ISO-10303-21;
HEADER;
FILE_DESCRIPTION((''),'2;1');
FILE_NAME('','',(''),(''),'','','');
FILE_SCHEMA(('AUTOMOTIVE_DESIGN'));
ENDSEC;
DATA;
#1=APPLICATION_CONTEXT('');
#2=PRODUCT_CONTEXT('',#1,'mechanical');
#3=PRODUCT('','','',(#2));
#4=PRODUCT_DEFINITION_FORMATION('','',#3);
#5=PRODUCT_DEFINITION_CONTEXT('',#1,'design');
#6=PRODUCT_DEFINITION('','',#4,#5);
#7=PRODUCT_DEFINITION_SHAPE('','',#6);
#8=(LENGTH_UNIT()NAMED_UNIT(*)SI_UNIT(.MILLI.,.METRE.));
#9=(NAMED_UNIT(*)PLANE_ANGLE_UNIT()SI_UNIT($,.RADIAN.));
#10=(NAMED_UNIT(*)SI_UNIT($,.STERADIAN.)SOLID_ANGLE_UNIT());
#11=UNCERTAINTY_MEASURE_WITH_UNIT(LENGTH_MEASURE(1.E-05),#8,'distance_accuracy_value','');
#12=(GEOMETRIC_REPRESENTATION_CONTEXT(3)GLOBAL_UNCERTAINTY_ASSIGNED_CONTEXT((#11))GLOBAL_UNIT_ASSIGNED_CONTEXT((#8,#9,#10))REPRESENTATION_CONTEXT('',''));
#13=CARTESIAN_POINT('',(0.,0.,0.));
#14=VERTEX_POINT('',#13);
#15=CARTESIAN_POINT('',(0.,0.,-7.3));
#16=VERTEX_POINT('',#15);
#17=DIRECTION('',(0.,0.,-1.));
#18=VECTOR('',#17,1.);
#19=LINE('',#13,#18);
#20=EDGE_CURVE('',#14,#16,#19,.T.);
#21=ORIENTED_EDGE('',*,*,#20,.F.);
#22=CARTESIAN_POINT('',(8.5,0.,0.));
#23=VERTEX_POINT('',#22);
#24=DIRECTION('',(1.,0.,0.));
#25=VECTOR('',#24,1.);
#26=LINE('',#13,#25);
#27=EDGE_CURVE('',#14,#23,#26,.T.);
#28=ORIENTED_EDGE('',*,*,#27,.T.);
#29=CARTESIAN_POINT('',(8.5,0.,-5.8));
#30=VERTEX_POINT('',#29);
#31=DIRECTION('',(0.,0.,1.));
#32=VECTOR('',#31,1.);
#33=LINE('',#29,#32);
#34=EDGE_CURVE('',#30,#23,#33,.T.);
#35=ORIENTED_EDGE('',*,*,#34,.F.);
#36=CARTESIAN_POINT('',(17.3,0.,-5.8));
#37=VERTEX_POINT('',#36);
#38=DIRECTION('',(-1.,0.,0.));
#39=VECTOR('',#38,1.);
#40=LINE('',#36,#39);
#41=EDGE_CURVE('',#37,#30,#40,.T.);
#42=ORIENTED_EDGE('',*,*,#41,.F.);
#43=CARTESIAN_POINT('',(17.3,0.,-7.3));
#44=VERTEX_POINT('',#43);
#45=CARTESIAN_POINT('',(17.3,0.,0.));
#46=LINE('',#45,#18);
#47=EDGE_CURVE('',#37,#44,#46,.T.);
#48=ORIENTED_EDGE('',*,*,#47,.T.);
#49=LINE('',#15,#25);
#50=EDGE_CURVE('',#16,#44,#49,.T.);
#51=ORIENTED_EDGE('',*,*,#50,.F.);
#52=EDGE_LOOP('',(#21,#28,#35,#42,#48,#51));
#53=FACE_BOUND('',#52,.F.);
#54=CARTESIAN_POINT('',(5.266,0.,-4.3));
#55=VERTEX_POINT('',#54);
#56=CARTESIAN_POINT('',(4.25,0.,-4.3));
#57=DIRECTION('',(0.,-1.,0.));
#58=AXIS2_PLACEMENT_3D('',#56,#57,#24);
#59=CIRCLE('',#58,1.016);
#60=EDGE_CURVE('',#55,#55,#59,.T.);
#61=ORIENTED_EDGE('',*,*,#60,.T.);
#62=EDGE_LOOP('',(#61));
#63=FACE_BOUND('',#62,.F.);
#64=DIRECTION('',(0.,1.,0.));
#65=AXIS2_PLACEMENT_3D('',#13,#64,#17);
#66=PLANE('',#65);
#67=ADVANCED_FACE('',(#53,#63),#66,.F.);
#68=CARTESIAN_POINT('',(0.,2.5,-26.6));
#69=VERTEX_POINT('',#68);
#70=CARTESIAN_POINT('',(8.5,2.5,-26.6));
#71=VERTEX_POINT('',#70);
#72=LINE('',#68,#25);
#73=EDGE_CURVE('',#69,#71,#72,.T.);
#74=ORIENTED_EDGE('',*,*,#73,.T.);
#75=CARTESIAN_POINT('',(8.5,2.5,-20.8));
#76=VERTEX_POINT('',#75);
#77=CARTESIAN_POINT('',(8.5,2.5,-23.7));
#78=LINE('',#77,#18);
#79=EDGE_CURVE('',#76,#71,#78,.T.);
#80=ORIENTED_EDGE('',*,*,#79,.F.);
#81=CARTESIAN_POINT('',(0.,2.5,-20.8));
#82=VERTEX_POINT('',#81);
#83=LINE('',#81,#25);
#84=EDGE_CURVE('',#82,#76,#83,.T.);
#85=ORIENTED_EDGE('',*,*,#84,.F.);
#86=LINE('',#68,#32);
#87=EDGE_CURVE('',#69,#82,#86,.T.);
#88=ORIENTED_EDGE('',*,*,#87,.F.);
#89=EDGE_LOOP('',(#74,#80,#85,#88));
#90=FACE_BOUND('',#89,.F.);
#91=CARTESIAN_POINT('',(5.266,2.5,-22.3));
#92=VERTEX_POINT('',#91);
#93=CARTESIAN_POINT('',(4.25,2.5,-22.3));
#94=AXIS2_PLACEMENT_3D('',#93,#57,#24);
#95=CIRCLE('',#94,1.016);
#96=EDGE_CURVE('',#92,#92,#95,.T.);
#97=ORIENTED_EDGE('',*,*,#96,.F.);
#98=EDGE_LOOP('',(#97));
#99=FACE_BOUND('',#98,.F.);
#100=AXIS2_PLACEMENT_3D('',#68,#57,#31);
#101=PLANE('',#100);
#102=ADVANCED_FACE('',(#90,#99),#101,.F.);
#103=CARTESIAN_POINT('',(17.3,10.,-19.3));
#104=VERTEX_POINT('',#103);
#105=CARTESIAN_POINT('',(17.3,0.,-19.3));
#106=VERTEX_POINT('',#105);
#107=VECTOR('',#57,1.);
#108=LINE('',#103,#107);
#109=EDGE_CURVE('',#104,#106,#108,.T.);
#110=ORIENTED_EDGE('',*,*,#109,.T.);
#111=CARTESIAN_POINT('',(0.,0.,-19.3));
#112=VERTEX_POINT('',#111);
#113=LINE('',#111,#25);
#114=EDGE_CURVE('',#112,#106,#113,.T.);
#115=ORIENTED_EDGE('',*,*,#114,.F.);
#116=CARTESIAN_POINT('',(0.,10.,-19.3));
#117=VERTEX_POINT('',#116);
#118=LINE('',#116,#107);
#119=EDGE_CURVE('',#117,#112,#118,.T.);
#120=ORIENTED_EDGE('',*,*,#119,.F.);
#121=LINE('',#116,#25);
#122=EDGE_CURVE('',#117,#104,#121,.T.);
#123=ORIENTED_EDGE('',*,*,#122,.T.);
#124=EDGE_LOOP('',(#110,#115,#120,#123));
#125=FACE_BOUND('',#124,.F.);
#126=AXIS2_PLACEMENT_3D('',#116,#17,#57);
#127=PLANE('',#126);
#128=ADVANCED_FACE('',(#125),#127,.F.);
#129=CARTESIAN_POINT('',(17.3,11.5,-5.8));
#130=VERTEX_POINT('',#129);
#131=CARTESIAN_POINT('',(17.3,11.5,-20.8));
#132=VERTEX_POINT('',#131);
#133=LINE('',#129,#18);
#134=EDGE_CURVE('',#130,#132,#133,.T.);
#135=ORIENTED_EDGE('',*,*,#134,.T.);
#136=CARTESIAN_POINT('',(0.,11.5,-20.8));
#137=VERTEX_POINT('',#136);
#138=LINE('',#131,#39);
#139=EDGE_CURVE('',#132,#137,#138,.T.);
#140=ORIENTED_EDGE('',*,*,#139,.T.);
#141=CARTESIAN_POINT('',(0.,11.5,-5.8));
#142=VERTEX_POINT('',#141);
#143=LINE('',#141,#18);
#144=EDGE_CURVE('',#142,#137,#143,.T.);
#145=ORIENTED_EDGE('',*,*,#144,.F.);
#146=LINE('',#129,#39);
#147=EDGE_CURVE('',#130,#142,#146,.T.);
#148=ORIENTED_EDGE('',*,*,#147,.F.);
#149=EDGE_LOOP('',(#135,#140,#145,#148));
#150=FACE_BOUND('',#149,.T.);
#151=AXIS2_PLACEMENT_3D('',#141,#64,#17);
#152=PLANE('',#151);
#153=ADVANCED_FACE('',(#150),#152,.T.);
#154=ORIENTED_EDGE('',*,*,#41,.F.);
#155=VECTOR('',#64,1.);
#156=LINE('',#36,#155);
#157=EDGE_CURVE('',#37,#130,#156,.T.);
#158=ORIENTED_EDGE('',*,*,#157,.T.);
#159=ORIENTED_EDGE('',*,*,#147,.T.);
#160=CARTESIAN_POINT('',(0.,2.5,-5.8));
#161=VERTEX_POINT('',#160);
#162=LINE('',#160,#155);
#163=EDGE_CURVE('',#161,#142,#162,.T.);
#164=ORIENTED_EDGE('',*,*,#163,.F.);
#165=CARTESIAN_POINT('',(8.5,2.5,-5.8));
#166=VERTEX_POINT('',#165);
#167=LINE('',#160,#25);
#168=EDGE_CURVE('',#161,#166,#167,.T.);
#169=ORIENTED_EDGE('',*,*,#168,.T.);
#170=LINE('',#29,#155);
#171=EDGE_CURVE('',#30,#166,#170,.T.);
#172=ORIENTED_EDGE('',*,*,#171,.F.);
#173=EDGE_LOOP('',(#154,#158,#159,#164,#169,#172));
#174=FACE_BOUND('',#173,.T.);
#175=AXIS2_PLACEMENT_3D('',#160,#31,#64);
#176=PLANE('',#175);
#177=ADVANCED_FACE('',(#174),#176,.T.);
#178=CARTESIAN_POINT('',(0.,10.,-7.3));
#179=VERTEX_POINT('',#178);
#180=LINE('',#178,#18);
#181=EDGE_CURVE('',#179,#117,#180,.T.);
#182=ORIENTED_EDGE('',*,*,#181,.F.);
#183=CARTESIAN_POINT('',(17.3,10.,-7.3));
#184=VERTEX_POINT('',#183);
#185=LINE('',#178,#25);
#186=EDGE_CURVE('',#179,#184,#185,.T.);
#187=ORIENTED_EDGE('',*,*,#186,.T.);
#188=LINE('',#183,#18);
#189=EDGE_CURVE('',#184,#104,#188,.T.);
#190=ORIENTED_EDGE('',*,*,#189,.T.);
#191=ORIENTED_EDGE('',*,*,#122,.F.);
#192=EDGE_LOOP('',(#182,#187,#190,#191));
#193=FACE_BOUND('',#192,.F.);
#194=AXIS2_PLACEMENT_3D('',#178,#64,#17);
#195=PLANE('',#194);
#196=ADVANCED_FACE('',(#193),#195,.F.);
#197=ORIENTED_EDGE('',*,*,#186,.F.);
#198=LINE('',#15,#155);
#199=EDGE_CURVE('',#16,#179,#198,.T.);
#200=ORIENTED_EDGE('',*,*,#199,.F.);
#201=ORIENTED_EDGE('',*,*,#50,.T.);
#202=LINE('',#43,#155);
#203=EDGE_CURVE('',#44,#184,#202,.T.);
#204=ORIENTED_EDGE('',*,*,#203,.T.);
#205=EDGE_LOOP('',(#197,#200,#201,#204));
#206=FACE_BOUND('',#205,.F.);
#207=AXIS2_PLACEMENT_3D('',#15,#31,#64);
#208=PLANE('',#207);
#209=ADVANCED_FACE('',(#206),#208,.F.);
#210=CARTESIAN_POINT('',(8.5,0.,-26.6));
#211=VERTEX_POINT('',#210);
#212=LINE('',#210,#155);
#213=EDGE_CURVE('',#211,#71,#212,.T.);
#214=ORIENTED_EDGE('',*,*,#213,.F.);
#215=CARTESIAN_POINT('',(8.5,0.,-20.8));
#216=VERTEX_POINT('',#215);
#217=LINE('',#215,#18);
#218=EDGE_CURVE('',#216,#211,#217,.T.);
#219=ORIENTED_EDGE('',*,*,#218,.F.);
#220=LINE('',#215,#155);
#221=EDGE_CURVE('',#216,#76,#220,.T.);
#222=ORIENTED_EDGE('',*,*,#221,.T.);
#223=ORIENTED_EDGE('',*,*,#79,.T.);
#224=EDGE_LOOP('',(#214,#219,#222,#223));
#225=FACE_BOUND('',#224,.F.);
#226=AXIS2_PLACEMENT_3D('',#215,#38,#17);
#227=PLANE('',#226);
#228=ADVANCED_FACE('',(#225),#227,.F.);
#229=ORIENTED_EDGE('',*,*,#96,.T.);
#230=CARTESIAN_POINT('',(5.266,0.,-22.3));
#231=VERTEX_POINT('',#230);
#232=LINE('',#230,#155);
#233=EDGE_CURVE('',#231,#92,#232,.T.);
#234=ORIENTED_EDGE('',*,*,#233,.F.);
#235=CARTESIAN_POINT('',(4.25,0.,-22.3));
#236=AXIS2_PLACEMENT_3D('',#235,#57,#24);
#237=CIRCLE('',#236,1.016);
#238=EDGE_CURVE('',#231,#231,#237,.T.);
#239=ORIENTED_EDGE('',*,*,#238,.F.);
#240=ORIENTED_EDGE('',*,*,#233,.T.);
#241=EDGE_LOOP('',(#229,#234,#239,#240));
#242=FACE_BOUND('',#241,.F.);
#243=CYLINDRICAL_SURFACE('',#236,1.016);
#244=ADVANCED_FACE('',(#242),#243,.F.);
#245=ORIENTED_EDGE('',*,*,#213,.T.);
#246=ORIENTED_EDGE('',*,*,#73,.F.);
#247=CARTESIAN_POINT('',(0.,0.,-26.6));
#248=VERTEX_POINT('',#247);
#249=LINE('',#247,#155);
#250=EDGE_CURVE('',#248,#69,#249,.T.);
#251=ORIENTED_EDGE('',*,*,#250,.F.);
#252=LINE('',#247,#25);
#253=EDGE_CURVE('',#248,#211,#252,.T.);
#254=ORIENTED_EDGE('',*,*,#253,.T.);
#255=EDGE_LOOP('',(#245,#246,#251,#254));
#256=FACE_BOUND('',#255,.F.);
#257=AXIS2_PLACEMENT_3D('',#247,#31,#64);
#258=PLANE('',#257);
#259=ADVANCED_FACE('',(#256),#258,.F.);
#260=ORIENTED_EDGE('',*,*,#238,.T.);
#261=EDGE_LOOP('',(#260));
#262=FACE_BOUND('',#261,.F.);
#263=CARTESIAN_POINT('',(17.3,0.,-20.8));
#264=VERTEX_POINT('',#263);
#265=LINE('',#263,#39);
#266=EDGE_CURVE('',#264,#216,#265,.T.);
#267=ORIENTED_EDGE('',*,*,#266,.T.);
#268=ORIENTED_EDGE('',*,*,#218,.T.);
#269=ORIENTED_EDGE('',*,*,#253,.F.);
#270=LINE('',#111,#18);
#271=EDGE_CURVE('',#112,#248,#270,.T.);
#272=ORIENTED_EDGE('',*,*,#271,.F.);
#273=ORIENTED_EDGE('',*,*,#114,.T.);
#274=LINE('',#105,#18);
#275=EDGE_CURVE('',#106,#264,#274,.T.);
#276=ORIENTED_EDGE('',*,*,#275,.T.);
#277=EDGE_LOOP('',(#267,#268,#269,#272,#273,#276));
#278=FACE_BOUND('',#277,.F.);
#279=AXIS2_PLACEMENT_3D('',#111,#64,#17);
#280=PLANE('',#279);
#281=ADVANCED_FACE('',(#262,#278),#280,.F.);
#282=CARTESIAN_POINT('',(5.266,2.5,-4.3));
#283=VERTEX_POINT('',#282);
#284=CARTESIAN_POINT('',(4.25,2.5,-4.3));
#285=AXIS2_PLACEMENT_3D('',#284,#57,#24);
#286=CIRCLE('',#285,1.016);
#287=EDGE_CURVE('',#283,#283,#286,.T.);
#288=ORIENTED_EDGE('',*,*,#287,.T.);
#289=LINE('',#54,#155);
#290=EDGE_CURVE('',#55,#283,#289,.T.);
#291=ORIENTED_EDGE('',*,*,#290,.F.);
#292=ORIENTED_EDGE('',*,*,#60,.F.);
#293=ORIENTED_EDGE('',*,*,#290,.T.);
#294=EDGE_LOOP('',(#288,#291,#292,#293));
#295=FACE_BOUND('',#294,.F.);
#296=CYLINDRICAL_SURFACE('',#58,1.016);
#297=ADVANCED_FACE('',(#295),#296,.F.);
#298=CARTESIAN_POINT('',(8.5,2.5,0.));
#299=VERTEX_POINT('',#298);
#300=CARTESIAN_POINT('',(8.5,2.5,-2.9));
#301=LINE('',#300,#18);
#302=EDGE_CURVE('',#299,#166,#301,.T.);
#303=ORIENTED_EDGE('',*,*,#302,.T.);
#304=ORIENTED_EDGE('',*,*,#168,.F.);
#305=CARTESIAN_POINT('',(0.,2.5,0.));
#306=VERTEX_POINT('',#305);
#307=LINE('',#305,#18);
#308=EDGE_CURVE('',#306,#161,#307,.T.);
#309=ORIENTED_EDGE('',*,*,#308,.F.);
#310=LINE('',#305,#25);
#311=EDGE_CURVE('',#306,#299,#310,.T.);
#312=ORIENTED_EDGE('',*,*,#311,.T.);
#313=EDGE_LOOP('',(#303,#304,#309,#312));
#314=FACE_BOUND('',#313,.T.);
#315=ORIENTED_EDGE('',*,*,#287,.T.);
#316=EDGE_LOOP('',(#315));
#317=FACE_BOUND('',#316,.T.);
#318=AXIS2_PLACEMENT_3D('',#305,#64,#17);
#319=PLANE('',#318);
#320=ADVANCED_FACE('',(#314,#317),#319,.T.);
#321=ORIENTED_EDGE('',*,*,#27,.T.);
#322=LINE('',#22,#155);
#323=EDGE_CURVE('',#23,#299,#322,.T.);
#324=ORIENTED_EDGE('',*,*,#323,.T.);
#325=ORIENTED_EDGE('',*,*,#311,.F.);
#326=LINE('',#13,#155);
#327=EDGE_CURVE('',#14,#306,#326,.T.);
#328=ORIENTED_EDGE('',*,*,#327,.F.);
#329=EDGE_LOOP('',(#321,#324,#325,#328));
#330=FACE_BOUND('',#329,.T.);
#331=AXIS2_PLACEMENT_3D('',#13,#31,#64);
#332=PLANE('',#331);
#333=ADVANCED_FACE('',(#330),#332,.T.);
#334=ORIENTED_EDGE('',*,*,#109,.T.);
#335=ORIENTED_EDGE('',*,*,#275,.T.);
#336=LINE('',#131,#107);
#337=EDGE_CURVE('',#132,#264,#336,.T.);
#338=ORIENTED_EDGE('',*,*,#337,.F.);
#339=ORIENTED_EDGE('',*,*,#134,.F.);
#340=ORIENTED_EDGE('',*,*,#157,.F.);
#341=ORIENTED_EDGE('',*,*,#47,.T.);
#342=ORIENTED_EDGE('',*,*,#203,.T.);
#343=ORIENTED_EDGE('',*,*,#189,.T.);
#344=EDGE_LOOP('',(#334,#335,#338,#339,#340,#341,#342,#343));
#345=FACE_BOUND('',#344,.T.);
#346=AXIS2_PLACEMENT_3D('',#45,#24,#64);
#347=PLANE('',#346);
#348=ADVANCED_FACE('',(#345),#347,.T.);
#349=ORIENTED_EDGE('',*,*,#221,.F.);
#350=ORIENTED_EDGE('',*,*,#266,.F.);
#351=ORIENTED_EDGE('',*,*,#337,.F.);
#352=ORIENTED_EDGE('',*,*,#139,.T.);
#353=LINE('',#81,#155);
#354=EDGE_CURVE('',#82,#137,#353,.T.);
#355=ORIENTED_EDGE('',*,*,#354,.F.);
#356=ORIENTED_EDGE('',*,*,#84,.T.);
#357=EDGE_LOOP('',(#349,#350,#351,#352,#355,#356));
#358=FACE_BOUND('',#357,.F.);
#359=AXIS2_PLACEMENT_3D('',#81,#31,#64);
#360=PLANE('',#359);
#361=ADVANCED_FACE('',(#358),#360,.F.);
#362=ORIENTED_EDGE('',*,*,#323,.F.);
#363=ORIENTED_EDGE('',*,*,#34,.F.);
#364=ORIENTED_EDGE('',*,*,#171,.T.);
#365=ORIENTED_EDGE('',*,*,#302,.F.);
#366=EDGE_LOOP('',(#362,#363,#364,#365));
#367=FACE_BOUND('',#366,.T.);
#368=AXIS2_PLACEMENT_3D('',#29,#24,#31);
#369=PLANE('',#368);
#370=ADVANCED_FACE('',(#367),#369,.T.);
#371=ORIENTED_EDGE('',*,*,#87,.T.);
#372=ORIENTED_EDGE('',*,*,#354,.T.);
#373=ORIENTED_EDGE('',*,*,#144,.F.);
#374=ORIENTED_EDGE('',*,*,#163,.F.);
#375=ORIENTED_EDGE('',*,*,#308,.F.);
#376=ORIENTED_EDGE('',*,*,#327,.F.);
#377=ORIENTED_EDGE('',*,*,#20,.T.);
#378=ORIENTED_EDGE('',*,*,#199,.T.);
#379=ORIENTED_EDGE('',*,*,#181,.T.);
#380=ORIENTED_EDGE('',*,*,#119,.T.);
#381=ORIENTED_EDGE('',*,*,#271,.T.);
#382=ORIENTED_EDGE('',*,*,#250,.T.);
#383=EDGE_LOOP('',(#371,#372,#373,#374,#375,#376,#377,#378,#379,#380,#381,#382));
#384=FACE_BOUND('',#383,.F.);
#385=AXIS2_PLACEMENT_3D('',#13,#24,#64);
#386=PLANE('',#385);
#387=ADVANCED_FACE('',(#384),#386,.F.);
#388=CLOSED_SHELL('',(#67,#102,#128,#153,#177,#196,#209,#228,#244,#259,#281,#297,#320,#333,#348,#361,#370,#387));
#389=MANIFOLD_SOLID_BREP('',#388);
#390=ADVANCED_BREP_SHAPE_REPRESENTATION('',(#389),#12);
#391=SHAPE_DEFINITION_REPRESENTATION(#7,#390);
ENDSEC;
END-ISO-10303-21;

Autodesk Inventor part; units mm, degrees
ref_plane "YZ Plane" through (0, 0, 0) normal (1, 0, 0) x (0, 1, 0)
ref_plane "XZ Plane" through (0, 0, 0) normal (0, 1, 0) x (-1, 0, 0)
ref_plane "XY Plane" through (0, 0, 0) normal (0, 0, 1) x (1, 0, 0)
sketch "Sketch3" plane through (0, 0, 0) normal (1, 0, 0) x (0, 1, 0)
  line L0 (0, 0) -> (0, -7.3)
  line L1 (0, 0) -> (2.5, 0)
  line L2 (2.5, 0) -> (2.5, -5.8)
  line L3 (2.5, -5.8) -> (11.5, -5.8)
  line L4 (0, -13.3) -> (11.5, -13.3) construction
  line L5 (0, -26.6) -> (2.5, -26.6)
  line L6 (2.5, -26.6) -> (2.5, -20.8)
  line L7 (2.5, -20.8) -> (11.5, -20.8)
  line L8 (11.5, -5.8) -> (11.5, -20.8)
  line L9 (0, -7.3) -> (10, -7.3)
  line L10 (10, -7.3) -> (10, -19.3)
  line L11 (10, -19.3) -> (0, -19.3)
  line L12 (0, -19.3) -> (0, -26.6)
  dimension "d10" = 26.6
  dimension "d12" = 2.5
  dimension "d13" = 5.8
  dimension "d14" = 11.5
  dimension "d15" = 1.5
  dimension "d16" = 1.5
  dimension "d17" = 1.5
extrude "Extrusion1" add sketch "Sketch3" along normal blind 17.3
sketch "Sketch5" plane through (0, 0, -26.6) normal (0, -1, 0) x (1, 0, 0)
  line L0 (0, 0) -> (8.5, 0) construction
  line L1 (8.5, 0) -> (8.5, 5.8) construction
  line L2 (8.5, 5.8) -> (0, 5.8) construction
  line L3 (0, 5.8) -> (0, 0) construction
  line L4 (8.5, 0) -> (17.3, 0)
  line L5 (17.3, 0) -> (17.3, 5.8)
  line L6 (17.3, 5.8) -> (8.5, 5.8)
  line L7 (8.5, 5.8) -> (8.5, 0)
  line L8 (0, 19.3) -> (0, 7.3) projected
  line L9 (0, 13.3) -> (17.3, 13.3) construction
  line L10 (8.5, 26.6) -> (8.5, 20.8) construction
  line L11 (8.5, 26.6) -> (17.3, 26.6)
  line L12 (17.3, 26.6) -> (17.3, 20.8)
  line L13 (17.3, 20.8) -> (8.5, 20.8)
  line L14 (8.5, 20.8) -> (8.5, 26.6)
  point P0 (0, 26.6)
  dimension "d22" = 5.8
  dimension "d23" = 8.5
extrude "Extrusion2" cut sketch "Sketch5" against normal through all
sketch "Sketch6" plane through (0, 0, -7.3) normal (0, -1, 0) x (1, 0, 0)
  circle A0 centre (4.25, 3) radius 1.016
  line L0 (0, 7.3) -> (0, 0) projected
  line L1 (0, 0) -> (0, -12) projected
  line L2 (0, -6) -> (17.3, -6) construction
  line L3 (17.3, -13.5) -> (17.3, 1.5) projected
  circle A1 centre (4.25, -15) radius 1.016
  dimension "d26" = 2.032
  dimension "d27" = 4.25
  dimension "d28" = 18
extrude "Extrusion3" cut sketch "Sketch6" against normal through all
properties part number "gear_bracket"
